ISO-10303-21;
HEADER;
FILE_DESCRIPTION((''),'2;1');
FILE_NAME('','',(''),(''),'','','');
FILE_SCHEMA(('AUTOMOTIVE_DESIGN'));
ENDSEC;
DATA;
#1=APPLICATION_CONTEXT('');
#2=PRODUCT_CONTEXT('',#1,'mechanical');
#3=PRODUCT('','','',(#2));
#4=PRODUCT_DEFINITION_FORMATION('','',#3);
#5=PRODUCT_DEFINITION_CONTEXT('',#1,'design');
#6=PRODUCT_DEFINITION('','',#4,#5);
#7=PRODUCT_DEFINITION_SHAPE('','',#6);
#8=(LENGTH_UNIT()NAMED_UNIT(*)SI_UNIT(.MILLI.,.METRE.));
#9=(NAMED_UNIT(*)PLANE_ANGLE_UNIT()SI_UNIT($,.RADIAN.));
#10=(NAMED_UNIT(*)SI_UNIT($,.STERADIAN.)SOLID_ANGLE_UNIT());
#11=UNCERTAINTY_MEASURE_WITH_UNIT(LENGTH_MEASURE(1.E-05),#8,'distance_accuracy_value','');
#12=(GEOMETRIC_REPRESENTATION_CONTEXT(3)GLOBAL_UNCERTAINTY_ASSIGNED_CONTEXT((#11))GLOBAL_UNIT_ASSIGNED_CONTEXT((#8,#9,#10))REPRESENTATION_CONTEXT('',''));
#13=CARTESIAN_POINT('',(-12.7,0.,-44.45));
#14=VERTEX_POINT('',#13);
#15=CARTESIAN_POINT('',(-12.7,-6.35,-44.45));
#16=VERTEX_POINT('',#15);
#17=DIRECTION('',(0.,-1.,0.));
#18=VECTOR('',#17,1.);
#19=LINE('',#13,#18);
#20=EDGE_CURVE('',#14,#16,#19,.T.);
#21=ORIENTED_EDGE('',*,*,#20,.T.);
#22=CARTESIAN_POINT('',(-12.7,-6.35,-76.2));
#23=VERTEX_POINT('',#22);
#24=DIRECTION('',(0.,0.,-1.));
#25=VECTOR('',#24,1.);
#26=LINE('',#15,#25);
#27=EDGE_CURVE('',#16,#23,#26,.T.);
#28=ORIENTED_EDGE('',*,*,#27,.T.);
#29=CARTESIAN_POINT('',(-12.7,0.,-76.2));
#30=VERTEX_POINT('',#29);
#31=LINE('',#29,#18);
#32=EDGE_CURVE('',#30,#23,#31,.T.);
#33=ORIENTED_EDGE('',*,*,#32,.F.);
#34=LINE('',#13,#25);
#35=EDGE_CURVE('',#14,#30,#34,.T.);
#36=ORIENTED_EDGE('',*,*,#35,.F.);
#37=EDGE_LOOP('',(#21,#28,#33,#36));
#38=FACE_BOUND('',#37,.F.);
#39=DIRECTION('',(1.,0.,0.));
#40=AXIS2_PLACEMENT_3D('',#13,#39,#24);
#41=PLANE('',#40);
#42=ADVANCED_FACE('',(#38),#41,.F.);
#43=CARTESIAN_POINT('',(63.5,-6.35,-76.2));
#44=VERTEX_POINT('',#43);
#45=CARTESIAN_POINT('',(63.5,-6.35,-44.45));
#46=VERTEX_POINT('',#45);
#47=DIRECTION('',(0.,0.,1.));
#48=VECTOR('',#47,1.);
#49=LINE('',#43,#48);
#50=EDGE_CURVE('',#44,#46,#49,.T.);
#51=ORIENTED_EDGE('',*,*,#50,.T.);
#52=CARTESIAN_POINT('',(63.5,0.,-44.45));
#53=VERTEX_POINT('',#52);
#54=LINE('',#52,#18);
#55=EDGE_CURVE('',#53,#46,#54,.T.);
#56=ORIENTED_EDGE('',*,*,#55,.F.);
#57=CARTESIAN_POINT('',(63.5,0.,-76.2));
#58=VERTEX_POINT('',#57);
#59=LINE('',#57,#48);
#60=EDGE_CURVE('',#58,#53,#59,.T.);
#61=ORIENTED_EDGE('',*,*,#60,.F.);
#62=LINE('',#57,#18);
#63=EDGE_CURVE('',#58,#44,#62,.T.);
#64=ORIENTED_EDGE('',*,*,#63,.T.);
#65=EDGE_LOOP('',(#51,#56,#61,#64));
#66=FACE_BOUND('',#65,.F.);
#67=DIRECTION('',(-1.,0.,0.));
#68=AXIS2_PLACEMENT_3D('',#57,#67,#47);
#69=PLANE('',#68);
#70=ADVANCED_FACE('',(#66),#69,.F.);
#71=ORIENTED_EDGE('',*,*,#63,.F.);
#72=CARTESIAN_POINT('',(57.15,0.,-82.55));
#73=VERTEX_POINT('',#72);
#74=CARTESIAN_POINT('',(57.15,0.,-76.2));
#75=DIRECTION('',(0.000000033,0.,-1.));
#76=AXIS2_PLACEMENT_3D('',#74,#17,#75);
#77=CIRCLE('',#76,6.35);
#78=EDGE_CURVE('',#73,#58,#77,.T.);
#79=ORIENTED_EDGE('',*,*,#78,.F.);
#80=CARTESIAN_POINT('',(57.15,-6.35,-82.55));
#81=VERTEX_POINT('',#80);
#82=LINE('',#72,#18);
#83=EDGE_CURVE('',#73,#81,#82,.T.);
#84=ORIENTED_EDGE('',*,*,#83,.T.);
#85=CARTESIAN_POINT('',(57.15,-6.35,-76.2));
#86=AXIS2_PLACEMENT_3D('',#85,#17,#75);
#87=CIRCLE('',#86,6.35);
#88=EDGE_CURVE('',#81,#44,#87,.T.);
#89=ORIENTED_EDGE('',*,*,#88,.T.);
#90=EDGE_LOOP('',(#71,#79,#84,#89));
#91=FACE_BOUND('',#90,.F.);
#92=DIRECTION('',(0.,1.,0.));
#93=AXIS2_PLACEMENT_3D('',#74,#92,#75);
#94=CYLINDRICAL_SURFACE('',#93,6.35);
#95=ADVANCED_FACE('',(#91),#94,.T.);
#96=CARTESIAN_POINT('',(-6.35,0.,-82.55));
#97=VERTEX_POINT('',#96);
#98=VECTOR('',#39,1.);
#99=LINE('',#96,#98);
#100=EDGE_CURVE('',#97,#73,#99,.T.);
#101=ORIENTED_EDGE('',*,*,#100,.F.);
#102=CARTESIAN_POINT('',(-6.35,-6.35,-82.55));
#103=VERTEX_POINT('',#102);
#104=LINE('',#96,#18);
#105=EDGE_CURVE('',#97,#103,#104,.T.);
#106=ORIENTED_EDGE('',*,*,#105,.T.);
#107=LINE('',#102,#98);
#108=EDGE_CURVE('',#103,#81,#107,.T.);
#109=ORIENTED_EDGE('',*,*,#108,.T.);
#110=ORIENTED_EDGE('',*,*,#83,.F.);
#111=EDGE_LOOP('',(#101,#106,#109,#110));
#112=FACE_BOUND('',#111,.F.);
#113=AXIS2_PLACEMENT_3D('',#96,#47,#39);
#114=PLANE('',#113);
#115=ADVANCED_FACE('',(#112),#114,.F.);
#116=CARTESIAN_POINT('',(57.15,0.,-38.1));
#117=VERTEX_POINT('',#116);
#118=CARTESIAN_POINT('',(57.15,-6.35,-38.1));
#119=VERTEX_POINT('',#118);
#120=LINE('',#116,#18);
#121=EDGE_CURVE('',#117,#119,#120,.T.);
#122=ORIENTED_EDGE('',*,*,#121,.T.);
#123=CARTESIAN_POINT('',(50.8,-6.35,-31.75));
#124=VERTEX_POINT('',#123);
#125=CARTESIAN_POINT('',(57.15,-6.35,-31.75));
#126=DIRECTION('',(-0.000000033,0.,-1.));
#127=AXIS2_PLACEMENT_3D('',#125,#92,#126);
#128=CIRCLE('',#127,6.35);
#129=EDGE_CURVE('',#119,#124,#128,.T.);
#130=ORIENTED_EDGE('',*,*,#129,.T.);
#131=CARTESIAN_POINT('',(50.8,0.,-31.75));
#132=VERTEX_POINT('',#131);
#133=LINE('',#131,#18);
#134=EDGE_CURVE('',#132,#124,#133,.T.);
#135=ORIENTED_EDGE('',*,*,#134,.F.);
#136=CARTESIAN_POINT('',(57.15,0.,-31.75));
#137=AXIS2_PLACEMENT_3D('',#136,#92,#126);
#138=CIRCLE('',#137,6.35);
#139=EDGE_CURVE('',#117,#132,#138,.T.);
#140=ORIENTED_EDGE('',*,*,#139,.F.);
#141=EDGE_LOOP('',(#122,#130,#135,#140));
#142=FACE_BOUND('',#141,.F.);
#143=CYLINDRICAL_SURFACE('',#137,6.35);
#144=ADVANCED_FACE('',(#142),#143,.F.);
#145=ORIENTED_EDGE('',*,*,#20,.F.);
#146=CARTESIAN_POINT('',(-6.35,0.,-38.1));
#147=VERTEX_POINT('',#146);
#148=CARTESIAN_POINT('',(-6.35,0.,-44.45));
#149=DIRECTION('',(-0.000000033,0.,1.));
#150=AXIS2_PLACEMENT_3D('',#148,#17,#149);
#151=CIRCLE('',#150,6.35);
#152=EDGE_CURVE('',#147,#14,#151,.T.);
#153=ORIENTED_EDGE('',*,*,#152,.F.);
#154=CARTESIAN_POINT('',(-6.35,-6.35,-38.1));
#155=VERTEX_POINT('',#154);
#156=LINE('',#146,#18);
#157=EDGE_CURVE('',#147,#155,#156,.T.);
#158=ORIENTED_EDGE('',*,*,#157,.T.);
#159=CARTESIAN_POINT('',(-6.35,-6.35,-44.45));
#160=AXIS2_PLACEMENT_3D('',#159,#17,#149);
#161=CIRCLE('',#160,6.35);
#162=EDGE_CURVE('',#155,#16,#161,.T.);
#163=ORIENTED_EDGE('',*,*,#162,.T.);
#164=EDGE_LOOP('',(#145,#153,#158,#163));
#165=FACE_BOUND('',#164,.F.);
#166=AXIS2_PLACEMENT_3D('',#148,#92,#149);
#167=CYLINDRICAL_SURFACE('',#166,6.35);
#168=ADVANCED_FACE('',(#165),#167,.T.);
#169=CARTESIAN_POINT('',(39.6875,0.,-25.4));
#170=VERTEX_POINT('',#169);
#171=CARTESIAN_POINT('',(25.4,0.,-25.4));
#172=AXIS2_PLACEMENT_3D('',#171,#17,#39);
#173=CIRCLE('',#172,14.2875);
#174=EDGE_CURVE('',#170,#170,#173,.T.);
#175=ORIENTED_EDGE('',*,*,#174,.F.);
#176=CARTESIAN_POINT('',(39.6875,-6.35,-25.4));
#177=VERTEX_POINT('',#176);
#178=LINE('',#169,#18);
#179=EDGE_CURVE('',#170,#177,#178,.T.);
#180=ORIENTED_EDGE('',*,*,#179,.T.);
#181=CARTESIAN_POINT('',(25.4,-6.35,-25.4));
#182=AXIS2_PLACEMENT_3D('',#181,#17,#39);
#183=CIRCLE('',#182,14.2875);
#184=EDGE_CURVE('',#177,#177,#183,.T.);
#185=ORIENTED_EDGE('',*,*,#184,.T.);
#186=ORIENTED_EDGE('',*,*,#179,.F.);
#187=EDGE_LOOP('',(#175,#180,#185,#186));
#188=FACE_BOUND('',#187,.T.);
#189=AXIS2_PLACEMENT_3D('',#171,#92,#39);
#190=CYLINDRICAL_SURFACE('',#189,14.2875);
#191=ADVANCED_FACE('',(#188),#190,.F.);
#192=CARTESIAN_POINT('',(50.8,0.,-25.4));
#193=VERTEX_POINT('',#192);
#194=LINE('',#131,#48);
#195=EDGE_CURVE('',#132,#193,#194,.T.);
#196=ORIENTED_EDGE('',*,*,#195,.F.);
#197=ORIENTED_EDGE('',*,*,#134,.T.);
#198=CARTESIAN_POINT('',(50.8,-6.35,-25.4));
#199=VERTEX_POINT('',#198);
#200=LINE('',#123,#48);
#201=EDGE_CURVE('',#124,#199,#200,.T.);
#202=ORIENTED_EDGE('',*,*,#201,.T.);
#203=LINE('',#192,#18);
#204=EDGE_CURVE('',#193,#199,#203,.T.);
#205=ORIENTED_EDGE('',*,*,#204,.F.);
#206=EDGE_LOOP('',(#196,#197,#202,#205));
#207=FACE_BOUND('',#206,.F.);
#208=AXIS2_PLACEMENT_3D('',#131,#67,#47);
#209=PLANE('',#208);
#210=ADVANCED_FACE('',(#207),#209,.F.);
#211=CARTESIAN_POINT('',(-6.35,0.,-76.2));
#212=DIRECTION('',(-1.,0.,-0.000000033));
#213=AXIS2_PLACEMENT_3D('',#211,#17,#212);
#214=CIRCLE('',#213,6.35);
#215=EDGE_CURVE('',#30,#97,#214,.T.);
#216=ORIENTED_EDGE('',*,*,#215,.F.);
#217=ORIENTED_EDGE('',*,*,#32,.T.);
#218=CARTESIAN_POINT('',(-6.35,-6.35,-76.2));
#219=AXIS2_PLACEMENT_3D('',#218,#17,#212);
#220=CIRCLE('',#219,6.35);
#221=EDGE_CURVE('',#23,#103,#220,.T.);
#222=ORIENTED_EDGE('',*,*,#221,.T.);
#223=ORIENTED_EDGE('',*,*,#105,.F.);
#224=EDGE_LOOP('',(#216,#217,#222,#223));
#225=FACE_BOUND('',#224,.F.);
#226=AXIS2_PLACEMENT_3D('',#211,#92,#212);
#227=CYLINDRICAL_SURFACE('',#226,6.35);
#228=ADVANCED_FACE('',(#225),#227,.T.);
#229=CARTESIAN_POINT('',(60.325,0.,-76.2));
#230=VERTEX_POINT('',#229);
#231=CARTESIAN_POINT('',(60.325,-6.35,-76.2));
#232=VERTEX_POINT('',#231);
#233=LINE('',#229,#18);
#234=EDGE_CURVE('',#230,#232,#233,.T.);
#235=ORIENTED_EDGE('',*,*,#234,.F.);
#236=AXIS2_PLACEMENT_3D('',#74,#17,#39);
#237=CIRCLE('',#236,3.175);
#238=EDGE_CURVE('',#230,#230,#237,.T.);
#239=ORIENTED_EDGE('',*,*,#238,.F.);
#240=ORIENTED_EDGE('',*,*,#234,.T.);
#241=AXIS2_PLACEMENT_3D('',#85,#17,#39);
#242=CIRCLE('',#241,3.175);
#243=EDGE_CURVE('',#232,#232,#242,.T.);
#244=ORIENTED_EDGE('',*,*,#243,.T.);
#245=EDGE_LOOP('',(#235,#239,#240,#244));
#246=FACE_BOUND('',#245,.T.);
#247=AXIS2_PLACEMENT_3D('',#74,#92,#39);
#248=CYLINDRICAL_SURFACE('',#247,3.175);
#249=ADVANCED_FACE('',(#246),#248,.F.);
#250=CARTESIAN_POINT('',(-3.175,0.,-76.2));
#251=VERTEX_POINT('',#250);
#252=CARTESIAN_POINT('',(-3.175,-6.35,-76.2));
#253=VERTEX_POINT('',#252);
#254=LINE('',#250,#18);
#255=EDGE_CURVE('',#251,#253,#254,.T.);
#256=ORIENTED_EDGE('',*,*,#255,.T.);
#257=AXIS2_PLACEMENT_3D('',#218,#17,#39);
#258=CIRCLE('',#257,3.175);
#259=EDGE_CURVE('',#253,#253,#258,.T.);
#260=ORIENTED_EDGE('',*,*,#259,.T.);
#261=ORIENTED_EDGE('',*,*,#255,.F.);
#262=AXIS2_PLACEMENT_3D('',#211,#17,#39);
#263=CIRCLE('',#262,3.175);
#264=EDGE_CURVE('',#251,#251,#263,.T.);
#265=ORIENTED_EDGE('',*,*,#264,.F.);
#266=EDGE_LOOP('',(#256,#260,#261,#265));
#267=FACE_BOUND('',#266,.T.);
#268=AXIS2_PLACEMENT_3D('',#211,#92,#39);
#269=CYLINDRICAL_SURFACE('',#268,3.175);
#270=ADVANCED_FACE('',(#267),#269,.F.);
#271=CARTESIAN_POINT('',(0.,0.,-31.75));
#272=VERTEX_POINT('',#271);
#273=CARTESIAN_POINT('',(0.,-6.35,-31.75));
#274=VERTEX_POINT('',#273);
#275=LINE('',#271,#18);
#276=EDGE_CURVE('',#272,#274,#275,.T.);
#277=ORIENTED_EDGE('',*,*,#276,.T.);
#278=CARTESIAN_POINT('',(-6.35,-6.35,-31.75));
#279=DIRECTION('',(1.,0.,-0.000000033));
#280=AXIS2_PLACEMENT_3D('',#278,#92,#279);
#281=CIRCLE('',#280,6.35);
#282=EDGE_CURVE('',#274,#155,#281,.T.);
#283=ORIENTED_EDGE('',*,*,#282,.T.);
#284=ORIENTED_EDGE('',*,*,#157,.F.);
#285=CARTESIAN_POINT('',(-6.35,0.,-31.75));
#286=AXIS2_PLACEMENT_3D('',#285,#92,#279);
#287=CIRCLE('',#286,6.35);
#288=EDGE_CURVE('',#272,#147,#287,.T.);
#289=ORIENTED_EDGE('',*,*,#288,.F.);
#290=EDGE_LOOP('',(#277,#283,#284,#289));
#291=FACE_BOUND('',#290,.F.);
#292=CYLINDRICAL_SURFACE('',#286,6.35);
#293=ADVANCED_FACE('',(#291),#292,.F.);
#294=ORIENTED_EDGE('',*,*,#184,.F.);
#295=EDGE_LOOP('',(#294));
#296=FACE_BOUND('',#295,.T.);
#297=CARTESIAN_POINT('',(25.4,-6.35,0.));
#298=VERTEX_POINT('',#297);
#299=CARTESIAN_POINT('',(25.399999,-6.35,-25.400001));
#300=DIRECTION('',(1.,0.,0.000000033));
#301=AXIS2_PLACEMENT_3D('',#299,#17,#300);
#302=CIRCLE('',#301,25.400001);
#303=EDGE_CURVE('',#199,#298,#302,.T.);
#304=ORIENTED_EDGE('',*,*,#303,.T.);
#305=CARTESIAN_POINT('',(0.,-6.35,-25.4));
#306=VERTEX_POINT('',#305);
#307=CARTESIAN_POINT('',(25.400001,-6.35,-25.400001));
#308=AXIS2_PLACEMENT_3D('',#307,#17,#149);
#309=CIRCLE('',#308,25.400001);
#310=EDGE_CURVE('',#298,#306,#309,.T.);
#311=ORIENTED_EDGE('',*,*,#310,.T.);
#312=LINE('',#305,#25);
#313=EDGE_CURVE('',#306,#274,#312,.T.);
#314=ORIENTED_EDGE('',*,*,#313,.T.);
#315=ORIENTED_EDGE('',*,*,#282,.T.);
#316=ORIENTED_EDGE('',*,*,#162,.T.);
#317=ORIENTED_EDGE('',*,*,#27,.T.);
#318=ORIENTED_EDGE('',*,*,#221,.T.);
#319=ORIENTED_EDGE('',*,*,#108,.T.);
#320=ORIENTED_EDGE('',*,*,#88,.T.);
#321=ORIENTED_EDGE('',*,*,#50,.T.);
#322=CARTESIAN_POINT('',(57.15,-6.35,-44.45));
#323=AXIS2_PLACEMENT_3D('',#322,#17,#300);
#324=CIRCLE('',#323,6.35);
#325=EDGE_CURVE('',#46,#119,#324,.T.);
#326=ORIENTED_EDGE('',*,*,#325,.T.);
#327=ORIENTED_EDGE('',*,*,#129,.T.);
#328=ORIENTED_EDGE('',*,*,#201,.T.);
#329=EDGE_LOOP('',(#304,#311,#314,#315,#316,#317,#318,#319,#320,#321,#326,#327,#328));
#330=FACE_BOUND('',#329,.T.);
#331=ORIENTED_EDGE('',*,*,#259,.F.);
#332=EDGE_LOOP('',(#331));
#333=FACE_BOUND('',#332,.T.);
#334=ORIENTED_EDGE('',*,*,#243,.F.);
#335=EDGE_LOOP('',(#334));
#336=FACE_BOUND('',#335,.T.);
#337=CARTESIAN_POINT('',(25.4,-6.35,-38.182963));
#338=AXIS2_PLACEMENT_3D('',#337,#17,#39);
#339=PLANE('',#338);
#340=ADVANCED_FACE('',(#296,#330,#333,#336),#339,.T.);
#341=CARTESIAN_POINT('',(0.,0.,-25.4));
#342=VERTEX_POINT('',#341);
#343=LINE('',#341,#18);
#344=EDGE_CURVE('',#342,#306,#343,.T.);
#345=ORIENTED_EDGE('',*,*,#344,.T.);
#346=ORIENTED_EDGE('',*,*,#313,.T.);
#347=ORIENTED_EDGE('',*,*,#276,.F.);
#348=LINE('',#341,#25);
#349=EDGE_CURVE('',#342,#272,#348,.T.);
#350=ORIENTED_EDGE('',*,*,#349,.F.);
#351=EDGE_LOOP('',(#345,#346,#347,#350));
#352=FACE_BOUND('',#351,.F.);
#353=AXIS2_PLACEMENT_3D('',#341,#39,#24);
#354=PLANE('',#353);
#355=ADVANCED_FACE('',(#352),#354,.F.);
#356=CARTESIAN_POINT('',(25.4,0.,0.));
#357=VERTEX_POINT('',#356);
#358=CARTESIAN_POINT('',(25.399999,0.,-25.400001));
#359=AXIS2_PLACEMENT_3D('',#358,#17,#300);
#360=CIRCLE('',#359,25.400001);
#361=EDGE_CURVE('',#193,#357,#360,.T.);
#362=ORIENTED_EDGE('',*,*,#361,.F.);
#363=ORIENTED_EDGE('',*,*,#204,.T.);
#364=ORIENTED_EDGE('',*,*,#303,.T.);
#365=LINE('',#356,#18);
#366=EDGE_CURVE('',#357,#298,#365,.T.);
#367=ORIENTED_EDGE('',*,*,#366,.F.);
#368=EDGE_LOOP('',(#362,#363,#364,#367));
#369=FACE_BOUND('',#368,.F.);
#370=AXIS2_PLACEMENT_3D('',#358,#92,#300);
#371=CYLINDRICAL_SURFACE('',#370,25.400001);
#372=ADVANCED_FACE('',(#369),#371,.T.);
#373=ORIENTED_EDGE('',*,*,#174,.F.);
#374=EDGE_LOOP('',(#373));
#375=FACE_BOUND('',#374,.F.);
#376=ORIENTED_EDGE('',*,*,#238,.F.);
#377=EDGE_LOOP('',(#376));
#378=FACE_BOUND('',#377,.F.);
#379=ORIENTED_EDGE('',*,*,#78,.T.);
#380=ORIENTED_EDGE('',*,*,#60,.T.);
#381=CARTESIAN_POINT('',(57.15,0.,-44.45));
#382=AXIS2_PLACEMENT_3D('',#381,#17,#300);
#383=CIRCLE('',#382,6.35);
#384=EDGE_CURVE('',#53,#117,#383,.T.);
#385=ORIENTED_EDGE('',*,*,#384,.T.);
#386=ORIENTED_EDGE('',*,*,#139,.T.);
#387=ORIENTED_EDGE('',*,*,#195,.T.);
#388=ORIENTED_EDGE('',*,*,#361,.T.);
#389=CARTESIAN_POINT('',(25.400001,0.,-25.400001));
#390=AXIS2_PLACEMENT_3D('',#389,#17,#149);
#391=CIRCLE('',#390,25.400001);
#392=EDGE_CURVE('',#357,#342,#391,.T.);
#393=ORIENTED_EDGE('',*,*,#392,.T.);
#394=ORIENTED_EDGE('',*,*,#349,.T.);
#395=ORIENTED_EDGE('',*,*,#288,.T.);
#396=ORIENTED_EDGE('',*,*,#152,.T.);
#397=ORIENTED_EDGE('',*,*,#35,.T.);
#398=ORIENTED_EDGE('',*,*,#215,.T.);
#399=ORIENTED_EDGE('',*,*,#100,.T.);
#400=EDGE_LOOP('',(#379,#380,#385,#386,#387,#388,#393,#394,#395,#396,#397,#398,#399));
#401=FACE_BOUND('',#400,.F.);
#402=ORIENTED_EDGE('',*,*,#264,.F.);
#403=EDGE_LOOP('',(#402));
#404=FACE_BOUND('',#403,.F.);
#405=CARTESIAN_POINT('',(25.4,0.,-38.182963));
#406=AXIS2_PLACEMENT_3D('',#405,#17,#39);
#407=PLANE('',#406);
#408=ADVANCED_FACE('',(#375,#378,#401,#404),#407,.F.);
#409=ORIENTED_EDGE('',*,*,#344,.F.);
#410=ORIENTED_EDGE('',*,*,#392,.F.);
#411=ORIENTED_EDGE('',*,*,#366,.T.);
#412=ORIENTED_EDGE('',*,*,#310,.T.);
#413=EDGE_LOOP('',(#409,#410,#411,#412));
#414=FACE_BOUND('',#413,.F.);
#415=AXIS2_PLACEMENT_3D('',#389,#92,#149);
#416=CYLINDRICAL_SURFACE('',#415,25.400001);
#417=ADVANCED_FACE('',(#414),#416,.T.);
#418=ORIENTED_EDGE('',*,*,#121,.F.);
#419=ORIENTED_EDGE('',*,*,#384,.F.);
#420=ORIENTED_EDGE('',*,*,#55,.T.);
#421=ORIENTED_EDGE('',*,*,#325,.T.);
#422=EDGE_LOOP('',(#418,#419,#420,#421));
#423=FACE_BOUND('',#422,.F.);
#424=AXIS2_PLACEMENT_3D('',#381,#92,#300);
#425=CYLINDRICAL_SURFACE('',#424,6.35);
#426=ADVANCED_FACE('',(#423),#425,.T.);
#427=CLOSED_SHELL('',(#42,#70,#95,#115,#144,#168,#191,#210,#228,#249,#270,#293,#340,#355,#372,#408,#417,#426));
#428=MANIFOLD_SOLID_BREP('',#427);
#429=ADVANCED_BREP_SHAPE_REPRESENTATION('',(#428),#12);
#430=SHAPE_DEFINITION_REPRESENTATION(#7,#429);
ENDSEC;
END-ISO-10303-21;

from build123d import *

# Parameters (mm, degrees)
F0_R     = 14.2875
F0_R_2   = 3.175
F1_DEPTH = 6.35


with BuildPart() as f1:
    # F0 (on Front) → F1 (new body)
    with BuildSketch(Plane.XZ):
        with BuildLine():
            Line((-6.35, -63.5), (0, -63.5))
            Line((0, -63.5), (50.8, -63.5))
            Line((50.8, -63.5), (57.15, -63.5))
            ThreePointArc((57.15, -63.5), (61.640128, -61.640128), (63.5, -57.15))
            Line((63.5, -57.15), (63.5, -44.45))
            ThreePointArc((63.5, -44.45), (61.640128, -39.959872), (57.15, -38.1))
            ThreePointArc((57.15, -38.1), (52.659872, -36.240128), (50.8, -31.75))
            Line((50.8, -31.75), (50.8, -25.4))
            ThreePointArc((50.8, -25.4), (43.360512, -7.439488), (25.4, 0))
            ThreePointArc((25.4, 0), (7.439488, -7.439488), (0, -25.4))
            Line((0, -25.4), (0, -31.75))
            ThreePointArc((0, -31.75), (-1.859872, -36.240128), (-6.35, -38.1))
            ThreePointArc((-6.35, -38.1), (-10.840128, -39.959872), (-12.7, -44.45))
            Line((-12.7, -44.45), (-12.7, -57.15))
            ThreePointArc((-12.7, -57.15), (-10.840128, -61.640128), (-6.35, -63.5))
        make_face()
        with Locations((25.4, -25.4)):
            Circle(F0_R, mode=Mode.SUBTRACT)
        with BuildLine():
            Line((50.8, -63.5), (0, -63.5))
            Line((0, -63.5), (-6.35, -63.5))
            ThreePointArc((-6.35, -63.5), (-10.840128, -61.640128), (-12.7, -57.15))
            Line((-12.7, -57.15), (-12.7, -76.2))
            ThreePointArc((-12.7, -76.2), (-10.840128, -80.690128), (-6.35, -82.55))
            Line((-6.35, -82.55), (57.15, -82.55))
            ThreePointArc((57.15, -82.55), (61.640128, -80.690128), (63.5, -76.2))
            Line((63.5, -76.2), (63.5, -57.15))
            ThreePointArc((63.5, -57.15), (61.640128, -61.640128), (57.15, -63.5))
            Line((57.15, -63.5), (50.8, -63.5))
        make_face()
        with Locations((-6.35, -76.2)):
            Circle(F0_R_2, mode=Mode.SUBTRACT)
        with Locations((57.15, -76.2)):
            Circle(F0_R_2, mode=Mode.SUBTRACT)
    extrude(amount=F1_DEPTH)


solid = f1.part
